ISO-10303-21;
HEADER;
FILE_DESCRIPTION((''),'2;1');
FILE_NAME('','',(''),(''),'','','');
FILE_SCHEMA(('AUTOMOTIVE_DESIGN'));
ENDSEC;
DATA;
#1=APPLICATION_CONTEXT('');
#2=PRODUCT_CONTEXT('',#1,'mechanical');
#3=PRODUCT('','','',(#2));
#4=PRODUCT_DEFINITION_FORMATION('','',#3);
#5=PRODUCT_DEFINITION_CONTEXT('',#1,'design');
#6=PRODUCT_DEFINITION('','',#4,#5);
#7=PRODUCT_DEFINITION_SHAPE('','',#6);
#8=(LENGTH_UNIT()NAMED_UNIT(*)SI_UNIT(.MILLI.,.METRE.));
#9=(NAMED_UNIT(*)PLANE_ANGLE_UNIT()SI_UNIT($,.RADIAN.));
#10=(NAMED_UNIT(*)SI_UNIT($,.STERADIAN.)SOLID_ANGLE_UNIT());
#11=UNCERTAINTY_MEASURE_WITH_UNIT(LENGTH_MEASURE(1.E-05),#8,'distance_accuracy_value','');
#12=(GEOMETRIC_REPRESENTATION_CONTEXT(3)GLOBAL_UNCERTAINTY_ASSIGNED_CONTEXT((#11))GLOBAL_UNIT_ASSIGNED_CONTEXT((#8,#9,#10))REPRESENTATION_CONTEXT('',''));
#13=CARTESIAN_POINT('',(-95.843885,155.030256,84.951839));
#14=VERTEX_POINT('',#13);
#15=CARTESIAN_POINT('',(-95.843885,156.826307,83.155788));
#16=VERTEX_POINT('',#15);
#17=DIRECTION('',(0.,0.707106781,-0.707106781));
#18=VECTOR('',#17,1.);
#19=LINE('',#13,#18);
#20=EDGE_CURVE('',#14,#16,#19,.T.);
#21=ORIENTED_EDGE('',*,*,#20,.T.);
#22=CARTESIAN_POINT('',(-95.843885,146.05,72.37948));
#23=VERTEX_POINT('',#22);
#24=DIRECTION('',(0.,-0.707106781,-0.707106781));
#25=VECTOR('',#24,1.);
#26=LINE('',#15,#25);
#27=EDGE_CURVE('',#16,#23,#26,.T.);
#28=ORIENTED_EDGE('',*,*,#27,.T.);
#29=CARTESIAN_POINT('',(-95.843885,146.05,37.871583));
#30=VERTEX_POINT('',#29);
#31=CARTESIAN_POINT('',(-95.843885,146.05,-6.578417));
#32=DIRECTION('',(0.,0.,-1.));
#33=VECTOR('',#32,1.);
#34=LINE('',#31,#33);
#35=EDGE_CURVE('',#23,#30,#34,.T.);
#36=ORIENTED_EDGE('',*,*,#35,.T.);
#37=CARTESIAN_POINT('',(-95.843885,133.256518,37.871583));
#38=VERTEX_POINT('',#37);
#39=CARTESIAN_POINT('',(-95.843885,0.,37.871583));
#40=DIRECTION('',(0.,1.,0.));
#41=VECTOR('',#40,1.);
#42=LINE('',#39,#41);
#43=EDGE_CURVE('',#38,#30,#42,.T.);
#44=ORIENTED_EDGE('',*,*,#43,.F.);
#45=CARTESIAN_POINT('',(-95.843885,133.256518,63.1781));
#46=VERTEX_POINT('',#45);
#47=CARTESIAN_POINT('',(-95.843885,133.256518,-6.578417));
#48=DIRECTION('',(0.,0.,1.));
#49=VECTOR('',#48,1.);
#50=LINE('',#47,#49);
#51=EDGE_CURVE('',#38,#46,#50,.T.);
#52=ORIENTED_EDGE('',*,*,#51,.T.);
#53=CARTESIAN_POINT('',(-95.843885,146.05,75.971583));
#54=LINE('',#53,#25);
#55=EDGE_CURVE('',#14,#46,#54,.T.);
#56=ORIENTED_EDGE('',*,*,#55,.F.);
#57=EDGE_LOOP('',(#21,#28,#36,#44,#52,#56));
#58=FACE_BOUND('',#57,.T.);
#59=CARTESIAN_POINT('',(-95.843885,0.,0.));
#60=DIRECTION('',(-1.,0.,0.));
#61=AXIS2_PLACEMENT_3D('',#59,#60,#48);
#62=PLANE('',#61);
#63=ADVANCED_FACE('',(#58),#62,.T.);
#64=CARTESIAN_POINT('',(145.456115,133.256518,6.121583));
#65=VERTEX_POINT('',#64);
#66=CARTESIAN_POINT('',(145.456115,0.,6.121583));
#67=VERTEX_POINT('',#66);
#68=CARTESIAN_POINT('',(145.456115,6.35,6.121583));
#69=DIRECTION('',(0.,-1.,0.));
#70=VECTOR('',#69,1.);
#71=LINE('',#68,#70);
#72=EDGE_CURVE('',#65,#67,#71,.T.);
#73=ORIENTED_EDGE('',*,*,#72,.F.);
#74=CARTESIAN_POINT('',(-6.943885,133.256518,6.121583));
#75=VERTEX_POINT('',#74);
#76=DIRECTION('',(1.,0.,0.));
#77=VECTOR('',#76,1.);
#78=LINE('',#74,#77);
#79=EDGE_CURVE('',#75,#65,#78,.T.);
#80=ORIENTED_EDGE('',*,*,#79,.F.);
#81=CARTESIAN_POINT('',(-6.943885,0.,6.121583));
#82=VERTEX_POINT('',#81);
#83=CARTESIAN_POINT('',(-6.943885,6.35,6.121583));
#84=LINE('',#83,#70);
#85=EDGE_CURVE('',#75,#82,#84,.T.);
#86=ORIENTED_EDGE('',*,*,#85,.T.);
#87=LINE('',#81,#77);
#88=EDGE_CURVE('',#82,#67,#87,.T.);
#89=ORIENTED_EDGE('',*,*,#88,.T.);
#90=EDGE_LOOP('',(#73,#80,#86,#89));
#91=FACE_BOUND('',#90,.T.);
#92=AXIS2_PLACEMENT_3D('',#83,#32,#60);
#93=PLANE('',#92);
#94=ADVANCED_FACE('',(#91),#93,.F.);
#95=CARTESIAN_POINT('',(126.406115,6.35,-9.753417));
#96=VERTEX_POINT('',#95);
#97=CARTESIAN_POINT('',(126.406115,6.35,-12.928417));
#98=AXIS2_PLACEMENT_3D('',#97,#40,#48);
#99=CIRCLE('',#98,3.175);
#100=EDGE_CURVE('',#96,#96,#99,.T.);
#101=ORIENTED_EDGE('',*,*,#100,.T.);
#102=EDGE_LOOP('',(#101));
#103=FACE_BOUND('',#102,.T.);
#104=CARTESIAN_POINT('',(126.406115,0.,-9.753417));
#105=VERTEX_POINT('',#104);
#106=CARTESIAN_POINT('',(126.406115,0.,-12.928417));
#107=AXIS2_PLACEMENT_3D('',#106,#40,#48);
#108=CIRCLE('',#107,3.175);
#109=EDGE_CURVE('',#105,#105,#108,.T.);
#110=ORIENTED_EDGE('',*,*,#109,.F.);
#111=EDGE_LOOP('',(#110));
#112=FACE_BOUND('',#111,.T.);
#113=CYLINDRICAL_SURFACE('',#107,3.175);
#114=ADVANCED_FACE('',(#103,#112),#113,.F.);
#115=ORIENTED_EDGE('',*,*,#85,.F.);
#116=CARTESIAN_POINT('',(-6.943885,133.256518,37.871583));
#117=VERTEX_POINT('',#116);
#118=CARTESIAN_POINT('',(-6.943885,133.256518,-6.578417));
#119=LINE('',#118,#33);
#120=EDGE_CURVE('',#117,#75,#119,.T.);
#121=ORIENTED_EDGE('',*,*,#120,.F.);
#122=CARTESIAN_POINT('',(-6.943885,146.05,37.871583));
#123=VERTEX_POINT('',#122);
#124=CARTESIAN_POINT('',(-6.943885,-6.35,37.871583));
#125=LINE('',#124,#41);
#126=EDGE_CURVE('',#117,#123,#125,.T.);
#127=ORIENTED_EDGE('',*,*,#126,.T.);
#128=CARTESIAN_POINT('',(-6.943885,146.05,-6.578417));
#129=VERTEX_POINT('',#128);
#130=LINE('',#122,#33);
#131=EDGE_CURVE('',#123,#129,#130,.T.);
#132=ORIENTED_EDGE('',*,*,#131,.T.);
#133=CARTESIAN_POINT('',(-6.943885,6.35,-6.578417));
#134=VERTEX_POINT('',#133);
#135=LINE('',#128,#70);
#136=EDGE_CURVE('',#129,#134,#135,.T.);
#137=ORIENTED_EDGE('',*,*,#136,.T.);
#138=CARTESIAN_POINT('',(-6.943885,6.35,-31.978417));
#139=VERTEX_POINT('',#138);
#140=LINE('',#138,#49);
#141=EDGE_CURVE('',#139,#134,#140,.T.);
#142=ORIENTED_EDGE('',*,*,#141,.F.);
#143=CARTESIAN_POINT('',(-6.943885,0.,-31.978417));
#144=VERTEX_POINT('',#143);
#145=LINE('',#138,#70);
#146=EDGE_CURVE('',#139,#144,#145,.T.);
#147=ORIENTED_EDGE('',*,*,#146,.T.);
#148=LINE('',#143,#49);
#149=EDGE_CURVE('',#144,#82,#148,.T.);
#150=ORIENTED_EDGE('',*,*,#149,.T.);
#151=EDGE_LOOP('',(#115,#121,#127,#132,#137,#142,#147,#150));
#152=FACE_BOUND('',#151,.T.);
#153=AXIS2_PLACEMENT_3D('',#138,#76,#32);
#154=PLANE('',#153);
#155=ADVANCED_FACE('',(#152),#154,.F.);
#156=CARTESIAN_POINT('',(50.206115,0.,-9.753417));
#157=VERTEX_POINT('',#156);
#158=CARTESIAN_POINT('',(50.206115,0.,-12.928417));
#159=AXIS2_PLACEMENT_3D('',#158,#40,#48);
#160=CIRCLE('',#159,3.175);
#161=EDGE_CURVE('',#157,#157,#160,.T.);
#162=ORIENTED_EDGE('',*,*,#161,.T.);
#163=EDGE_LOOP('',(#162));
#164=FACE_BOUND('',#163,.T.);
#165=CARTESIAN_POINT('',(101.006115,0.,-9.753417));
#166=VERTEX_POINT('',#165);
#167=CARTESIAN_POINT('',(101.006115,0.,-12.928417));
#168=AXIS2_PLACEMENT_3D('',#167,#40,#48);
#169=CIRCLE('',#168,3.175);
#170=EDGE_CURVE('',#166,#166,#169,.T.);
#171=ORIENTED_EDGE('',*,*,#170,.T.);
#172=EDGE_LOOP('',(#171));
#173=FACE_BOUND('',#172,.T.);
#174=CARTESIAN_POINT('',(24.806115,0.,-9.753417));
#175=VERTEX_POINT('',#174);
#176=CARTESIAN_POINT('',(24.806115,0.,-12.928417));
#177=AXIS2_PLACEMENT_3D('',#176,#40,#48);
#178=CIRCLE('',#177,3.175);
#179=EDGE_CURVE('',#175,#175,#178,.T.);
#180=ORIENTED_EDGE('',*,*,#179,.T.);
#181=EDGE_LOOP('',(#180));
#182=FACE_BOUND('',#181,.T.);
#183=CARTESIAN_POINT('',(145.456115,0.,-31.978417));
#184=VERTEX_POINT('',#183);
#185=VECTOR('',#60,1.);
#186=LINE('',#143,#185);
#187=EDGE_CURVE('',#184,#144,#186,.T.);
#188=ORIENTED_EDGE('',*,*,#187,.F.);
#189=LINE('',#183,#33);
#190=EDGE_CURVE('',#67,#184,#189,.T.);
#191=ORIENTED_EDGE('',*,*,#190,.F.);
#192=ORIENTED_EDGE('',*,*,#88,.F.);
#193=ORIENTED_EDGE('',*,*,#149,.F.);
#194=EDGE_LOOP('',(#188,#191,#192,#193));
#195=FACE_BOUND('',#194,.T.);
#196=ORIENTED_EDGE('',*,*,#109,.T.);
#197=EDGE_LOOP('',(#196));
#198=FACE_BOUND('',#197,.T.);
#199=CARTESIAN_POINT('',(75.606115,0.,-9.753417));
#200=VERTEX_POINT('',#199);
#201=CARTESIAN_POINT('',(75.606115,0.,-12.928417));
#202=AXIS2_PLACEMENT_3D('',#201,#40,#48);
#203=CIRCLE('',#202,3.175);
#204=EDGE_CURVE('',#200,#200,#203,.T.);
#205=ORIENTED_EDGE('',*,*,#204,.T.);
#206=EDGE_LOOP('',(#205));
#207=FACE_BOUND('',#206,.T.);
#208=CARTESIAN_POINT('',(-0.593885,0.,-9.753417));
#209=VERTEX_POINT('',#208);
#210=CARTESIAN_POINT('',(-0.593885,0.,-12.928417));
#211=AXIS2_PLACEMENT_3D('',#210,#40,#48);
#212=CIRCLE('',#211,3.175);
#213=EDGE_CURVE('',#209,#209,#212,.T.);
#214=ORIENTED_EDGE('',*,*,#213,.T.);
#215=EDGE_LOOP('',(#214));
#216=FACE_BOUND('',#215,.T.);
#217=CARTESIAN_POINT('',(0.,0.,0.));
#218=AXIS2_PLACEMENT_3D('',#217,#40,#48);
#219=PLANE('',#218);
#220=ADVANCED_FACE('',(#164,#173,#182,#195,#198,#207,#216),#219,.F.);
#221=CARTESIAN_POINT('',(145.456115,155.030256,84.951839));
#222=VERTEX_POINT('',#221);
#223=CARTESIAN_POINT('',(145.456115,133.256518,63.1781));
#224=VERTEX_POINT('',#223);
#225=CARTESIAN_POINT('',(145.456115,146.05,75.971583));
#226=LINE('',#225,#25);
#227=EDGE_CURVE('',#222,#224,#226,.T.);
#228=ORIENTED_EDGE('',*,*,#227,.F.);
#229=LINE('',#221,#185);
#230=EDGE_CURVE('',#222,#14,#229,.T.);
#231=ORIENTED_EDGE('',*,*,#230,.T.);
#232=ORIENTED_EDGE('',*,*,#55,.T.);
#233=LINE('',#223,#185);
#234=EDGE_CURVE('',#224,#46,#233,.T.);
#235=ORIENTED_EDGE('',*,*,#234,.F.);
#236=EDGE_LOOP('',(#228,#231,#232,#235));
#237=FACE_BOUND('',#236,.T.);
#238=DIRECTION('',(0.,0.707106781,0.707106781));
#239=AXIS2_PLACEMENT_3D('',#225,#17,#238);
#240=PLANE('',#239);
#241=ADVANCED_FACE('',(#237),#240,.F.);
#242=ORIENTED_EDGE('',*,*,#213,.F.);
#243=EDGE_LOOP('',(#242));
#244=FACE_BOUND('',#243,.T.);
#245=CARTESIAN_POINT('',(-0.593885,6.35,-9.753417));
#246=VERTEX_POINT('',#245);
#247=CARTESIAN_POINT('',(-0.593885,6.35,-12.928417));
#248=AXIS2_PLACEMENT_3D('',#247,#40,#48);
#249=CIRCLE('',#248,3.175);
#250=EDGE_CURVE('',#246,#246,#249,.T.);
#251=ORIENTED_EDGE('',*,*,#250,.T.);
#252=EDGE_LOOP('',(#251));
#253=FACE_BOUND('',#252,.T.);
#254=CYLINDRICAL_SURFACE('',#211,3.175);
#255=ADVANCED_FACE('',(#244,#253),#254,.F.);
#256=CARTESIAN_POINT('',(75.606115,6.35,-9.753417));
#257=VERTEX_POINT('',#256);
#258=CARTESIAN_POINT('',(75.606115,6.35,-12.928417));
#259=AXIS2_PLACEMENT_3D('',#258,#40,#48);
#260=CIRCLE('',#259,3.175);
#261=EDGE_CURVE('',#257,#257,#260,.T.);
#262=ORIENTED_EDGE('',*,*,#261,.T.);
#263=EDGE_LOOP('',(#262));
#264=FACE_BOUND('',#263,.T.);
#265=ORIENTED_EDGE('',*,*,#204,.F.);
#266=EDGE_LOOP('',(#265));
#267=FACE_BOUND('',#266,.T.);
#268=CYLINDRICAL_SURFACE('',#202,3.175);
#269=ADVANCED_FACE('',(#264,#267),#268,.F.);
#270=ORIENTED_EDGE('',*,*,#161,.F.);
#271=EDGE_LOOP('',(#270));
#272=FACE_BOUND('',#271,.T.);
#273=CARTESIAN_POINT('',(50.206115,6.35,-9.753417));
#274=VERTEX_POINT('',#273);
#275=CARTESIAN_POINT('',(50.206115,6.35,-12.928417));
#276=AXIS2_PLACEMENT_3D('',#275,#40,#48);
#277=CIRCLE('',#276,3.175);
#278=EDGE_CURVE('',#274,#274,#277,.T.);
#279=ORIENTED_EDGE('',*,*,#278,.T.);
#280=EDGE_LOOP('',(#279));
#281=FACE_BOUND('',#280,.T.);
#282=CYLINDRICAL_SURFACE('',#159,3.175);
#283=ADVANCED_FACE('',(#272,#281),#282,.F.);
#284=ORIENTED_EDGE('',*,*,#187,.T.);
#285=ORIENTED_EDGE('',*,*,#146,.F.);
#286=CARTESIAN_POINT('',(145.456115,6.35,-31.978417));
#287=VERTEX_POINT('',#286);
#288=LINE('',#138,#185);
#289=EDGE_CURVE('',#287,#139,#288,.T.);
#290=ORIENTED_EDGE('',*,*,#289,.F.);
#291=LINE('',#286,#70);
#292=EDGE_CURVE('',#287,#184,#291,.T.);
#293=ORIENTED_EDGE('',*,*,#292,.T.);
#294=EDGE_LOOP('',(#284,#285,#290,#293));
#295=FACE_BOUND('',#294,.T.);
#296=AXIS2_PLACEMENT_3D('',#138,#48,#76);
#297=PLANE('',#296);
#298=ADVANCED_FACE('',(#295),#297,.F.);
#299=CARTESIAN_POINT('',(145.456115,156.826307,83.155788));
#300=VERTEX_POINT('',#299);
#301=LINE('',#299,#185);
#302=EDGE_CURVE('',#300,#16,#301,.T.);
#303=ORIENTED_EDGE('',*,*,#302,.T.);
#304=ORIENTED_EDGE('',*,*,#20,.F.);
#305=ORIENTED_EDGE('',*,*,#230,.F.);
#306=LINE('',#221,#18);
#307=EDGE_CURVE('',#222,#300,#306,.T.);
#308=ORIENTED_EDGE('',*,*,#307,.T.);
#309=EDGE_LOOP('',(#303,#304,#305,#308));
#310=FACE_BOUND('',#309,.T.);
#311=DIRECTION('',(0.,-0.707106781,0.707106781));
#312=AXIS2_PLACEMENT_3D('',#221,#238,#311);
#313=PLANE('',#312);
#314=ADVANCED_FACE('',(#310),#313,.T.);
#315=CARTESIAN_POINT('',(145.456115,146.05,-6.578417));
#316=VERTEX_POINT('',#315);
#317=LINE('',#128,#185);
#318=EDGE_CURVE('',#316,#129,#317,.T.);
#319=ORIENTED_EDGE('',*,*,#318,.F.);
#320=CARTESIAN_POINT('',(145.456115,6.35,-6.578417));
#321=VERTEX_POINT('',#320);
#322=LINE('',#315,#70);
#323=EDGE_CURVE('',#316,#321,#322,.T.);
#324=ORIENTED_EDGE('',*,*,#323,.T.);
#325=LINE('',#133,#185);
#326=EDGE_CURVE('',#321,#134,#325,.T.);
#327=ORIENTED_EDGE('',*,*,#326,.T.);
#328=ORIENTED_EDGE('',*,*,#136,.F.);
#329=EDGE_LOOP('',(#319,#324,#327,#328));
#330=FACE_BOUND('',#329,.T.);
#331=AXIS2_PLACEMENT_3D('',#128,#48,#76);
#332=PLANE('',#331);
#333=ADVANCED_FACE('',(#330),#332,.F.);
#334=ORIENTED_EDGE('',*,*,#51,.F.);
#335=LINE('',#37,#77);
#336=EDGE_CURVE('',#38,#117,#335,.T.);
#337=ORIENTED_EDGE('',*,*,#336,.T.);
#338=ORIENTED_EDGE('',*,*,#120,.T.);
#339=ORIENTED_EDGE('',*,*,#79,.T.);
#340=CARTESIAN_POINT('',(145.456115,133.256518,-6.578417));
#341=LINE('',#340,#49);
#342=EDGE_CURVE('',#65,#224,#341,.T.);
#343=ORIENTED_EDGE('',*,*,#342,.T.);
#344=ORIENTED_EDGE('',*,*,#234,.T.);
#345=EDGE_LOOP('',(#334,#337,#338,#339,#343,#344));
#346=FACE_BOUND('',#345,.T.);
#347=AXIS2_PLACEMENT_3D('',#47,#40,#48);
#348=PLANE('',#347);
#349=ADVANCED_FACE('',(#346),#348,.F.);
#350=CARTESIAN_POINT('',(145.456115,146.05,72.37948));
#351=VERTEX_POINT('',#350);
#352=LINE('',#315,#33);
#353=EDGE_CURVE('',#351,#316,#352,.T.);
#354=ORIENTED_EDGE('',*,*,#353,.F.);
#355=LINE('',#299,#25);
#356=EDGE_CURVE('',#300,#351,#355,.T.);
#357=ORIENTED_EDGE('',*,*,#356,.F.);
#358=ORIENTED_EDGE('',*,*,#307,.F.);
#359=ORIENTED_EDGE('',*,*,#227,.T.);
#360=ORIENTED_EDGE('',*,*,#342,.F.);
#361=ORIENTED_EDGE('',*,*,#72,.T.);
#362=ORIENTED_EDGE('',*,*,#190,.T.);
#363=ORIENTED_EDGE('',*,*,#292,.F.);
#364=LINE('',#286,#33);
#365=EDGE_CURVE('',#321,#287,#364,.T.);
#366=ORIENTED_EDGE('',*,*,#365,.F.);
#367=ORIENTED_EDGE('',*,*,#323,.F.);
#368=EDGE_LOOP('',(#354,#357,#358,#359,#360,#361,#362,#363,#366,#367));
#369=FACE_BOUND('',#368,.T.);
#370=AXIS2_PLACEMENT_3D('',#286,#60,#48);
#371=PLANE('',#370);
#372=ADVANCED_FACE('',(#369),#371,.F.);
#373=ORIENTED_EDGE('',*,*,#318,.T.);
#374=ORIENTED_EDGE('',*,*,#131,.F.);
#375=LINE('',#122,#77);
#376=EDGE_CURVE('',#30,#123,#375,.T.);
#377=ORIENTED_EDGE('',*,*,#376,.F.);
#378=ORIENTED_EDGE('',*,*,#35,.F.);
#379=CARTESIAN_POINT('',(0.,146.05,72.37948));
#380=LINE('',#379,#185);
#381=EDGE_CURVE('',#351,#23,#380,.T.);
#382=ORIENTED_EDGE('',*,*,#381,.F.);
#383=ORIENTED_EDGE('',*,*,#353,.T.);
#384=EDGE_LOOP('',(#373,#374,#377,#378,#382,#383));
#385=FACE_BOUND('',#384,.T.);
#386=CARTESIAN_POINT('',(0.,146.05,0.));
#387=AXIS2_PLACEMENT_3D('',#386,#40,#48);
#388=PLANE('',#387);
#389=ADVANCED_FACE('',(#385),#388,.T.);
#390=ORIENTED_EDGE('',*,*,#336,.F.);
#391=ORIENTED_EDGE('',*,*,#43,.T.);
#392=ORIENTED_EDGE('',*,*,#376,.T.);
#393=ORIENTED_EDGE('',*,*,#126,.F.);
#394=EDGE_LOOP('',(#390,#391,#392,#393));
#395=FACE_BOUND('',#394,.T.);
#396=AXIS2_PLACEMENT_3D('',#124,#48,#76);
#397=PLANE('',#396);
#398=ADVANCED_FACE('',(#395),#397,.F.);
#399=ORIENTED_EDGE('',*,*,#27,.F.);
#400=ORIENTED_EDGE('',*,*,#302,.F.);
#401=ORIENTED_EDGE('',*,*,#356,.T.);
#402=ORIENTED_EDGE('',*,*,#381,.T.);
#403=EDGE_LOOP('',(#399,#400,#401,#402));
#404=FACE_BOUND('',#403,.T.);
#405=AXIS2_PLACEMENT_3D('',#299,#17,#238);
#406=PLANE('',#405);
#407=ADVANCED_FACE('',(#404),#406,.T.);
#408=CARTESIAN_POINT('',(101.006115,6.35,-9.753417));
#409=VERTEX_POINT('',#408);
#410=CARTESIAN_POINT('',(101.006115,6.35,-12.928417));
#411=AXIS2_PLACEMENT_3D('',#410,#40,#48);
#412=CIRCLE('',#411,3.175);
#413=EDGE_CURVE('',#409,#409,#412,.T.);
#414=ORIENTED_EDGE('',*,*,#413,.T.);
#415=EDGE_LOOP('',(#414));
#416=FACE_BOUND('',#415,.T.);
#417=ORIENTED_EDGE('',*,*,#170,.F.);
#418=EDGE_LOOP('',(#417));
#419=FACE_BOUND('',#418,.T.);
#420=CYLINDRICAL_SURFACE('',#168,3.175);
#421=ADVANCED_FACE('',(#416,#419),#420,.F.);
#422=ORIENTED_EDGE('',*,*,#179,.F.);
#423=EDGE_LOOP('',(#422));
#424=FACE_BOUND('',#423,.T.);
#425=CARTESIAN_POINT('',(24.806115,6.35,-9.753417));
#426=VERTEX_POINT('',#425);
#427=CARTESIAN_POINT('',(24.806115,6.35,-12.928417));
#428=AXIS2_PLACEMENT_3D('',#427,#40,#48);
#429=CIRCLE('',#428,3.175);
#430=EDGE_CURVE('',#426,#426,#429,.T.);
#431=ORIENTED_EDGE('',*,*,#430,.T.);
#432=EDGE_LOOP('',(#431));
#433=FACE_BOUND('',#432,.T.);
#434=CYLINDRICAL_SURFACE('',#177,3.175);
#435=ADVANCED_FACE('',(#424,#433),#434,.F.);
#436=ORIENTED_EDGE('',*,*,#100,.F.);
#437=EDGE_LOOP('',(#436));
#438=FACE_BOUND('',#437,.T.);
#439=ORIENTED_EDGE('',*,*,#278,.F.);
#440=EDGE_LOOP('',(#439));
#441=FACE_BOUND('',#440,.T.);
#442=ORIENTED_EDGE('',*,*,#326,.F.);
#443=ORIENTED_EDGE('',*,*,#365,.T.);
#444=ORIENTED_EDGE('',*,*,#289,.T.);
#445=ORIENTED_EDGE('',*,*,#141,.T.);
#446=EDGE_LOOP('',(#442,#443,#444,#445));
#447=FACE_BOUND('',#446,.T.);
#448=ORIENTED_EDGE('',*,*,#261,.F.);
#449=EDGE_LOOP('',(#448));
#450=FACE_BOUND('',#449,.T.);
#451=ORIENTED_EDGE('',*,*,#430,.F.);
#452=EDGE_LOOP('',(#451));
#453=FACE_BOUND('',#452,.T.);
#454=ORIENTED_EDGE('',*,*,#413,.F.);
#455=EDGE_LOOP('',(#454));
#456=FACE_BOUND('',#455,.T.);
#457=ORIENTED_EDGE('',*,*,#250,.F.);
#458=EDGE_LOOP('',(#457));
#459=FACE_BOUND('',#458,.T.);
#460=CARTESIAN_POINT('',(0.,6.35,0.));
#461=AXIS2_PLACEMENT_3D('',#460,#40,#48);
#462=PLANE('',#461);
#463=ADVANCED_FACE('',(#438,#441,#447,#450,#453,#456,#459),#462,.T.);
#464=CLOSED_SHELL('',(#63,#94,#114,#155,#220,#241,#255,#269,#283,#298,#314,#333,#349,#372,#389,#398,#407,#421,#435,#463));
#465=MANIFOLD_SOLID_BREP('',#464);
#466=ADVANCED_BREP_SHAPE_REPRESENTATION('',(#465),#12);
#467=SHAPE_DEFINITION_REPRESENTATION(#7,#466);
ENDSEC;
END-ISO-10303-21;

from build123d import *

# Parameters (mm, degrees)
SKETCH1_W                = 152.4
SKETCH1_H                = 38.1
BOSS_EXTRUDE1_DEPTH      = 6.35
SKETCH2_R                = 3.175
CUT_EXTRUDE1_DEPTH       = 7.35
SKETCH3_W                = 152.4
SKETCH3_H                = 12.7
BOSS_EXTRUDE2_DEPTH      = 139.7
SKETCH4_W                = 82.55
SKETCH4_H                = 12.793482267
BOSS_EXTRUDE3_DEPTH      = 88.9
BOSS_EXTRUDE3_DEPTH_BACK = 152.4
SKETCH5_W                = 88.9
SKETCH5_H                = 44.45
CUT_EXTRUDE2_DEPTH       = 152.4
CUT_EXTRUDE3_DEPTH       = 242.3
BOSS_EXTRUDE4_DEPTH      = 241.3


with BuildPart() as part:
    # Sketch1 → Boss-Extrude1 (new body)
    with BuildSketch(Plane(origin=(0, 0, 0), x_dir=(1, 0, 0), z_dir=(0, 1, 0))):
        with Locations((69.256115108, 12.928417266)):
            Rectangle(SKETCH1_W, SKETCH1_H)
    extrude(amount=BOSS_EXTRUDE1_DEPTH)

    # Sketch2 → Cut-Extrude1 (cut, through all)
    with BuildSketch(Plane(origin=(0, 6.35, 0), x_dir=(1, 0, 0), z_dir=(0, 1, 0))):
        with Locations((-0.593884892, 12.928417266)):
            Circle(SKETCH2_R)
        with Locations((24.806115108, 12.928417266)):
            Circle(SKETCH2_R)
        with Locations((50.206115108, 12.928417266)):
            Circle(SKETCH2_R)
        with Locations((75.606115108, 12.928417266)):
            Circle(SKETCH2_R)
        with Locations((101.006115108, 12.928417266)):
            Circle(SKETCH2_R)
        with Locations((126.406115108, 12.928417266)):
            Circle(SKETCH2_R)
    extrude(amount=-CUT_EXTRUDE1_DEPTH, mode=Mode.SUBTRACT)

    # Sketch3 → Boss-Extrude2 (add)
    with BuildSketch(Plane(origin=(0, 6.35, 0), x_dir=(1, 0, 0), z_dir=(0, 1, 0))):
        with Locations((69.256115108, 0.228417266)):
            Rectangle(SKETCH3_W, SKETCH3_H)
    extrude(amount=BOSS_EXTRUDE2_DEPTH)

    # Sketch4 → Boss-Extrude3 (add, two sides)
    with BuildSketch(Plane.ZY.offset(6.943884892)) as boss_extrude3_sk:
        with Locations((34.696582734, 139.653258867)):
            Rectangle(SKETCH4_W, SKETCH4_H)
    extrude(amount=BOSS_EXTRUDE3_DEPTH)
    extrude(boss_extrude3_sk.sketch, amount=-BOSS_EXTRUDE3_DEPTH_BACK)

    # Sketch5 → Cut-Extrude2 (cut)
    with BuildSketch(Plane(origin=(0, 146.05, 0), x_dir=(1, 0, 0), z_dir=(0, 1, 0))):
        with Locations((-51.393884892, -15.646582734)):
            Rectangle(SKETCH5_W, SKETCH5_H)
    extrude(amount=-CUT_EXTRUDE2_DEPTH, mode=Mode.SUBTRACT)

    # Sketch6 → Cut-Extrude3 (cut, through all)
    with BuildSketch(Plane.ZY.offset(95.843884892)):
        Polygon((75.971582734, 146.05), (63.178100467, 133.256517733), (75.971582734, 133.256517733), align=None)
    extrude(amount=-CUT_EXTRUDE3_DEPTH, mode=Mode.SUBTRACT)

    # Sketch7 → Boss-Extrude4 (add, through all)
    with BuildSketch(Plane.ZY.offset(95.843884892)):
        Polygon((84.951838855, 155.030256121), (83.155787631, 156.826307345), (65.195275389, 138.865795103), (66.991326613, 137.069743879), align=None)
    extrude(amount=-BOSS_EXTRUDE4_DEPTH)


solid = part.part
